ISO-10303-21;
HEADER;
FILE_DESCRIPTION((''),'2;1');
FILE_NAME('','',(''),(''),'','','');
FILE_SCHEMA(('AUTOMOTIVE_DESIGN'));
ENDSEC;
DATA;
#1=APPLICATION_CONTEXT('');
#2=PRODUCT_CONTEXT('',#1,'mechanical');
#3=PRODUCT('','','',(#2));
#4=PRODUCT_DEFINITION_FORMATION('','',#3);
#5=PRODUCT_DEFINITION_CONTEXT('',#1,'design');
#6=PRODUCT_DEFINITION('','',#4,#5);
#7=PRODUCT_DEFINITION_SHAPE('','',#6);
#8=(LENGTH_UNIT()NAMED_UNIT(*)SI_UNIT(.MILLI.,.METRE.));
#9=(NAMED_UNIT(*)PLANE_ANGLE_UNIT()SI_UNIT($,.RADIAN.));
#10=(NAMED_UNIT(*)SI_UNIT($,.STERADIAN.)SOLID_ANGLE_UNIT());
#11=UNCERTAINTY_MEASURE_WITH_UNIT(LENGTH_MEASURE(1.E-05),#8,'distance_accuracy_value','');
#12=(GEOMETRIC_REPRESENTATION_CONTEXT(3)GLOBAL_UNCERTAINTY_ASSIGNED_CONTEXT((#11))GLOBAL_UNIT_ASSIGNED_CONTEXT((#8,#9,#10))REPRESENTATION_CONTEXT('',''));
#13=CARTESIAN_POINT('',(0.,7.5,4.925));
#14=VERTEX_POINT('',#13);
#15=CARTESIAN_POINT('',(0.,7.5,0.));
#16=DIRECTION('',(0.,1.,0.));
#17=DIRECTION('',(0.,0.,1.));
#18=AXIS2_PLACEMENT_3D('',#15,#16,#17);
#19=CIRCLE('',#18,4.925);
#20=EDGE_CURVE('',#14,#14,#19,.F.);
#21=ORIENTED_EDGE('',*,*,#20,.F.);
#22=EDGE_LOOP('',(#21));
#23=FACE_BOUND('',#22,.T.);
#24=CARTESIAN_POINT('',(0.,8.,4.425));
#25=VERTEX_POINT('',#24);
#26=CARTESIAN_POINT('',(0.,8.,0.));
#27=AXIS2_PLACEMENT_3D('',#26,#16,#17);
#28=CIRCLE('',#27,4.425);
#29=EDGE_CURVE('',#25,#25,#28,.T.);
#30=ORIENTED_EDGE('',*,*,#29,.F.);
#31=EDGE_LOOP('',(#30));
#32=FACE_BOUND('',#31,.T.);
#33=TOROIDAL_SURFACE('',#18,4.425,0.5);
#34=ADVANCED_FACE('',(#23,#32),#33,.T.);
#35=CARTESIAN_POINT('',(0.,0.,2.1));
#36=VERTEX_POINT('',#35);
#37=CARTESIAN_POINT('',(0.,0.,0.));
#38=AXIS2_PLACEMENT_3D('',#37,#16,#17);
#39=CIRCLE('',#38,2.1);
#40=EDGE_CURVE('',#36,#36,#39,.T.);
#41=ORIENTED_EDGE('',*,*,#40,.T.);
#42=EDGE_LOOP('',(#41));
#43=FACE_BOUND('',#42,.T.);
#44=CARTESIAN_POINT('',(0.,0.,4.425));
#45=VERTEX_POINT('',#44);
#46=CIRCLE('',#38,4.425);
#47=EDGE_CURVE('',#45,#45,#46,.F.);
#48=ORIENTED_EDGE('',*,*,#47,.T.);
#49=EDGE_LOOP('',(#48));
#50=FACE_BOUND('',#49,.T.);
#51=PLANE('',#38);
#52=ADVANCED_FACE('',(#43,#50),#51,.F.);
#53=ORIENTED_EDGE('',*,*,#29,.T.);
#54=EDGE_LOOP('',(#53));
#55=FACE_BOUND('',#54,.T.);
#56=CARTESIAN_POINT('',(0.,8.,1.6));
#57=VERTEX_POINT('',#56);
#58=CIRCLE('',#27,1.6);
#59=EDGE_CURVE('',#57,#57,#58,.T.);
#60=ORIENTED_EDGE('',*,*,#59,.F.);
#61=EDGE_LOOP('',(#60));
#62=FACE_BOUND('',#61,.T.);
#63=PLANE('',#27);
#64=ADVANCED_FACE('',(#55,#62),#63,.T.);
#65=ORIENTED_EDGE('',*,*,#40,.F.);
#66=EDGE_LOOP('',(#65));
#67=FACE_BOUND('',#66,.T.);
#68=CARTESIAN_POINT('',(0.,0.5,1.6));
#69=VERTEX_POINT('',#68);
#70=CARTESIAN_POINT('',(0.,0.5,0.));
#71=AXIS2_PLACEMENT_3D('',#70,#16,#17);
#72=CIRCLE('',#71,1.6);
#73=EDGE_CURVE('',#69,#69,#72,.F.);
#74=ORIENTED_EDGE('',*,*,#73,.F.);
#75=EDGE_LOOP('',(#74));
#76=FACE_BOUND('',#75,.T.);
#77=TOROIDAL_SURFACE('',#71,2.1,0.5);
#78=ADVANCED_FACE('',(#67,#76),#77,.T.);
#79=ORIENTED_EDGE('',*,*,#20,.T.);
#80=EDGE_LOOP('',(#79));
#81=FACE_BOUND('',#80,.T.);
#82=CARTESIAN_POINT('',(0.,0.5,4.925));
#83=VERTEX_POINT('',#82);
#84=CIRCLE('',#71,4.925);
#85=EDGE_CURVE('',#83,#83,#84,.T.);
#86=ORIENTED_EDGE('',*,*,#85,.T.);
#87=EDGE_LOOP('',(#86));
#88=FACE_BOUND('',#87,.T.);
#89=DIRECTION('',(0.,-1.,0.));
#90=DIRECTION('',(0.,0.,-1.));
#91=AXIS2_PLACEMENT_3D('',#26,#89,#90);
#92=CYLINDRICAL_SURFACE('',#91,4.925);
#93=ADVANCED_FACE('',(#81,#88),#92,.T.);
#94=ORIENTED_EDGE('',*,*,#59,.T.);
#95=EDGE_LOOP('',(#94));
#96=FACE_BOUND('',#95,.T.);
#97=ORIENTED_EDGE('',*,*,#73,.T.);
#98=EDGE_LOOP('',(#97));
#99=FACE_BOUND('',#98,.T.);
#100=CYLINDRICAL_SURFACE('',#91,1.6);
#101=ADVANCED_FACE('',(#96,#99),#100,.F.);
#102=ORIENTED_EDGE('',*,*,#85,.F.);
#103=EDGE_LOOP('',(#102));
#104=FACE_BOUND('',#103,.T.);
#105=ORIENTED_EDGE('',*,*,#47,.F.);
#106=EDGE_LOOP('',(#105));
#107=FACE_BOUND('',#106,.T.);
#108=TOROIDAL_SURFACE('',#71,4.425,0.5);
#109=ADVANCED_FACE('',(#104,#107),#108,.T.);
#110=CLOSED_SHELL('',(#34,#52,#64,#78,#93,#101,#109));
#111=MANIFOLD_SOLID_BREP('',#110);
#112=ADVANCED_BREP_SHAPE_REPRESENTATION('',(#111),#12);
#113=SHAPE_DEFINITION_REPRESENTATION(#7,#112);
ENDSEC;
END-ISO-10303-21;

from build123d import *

# Parameters (mm, degrees)
SKETCH_1_R      = 4.925
SKETCH_1_R_2    = 1.6
EXTRUDE_1_DEPTH = 8
FILLET_1_R      = 0.5


with BuildPart() as part:
    # 草图1 → 凸台-拉伸1 (new body)
    with BuildSketch(Plane(origin=(0, 0, 0), x_dir=(1, 0, 0), z_dir=(0, 1, 0))):
        with Locations(Location((0, 0, 0), (0, 0, 270))):
            Circle(SKETCH_1_R)
        with Locations(Location((0, 0, 0), (0, 0, 270))):
            Circle(SKETCH_1_R_2, mode=Mode.SUBTRACT)
    extrude(amount=EXTRUDE_1_DEPTH)

    # 圆角1
    fillet_1_edges = [part.edges().sort_by_distance(p)[0] for p in [
        (0, 0, -4.925),
        (0, 8, -4.925),
        (0, 0, -1.6),
    ]]
    fillet(fillet_1_edges, radius=FILLET_1_R)


solid = part.part
